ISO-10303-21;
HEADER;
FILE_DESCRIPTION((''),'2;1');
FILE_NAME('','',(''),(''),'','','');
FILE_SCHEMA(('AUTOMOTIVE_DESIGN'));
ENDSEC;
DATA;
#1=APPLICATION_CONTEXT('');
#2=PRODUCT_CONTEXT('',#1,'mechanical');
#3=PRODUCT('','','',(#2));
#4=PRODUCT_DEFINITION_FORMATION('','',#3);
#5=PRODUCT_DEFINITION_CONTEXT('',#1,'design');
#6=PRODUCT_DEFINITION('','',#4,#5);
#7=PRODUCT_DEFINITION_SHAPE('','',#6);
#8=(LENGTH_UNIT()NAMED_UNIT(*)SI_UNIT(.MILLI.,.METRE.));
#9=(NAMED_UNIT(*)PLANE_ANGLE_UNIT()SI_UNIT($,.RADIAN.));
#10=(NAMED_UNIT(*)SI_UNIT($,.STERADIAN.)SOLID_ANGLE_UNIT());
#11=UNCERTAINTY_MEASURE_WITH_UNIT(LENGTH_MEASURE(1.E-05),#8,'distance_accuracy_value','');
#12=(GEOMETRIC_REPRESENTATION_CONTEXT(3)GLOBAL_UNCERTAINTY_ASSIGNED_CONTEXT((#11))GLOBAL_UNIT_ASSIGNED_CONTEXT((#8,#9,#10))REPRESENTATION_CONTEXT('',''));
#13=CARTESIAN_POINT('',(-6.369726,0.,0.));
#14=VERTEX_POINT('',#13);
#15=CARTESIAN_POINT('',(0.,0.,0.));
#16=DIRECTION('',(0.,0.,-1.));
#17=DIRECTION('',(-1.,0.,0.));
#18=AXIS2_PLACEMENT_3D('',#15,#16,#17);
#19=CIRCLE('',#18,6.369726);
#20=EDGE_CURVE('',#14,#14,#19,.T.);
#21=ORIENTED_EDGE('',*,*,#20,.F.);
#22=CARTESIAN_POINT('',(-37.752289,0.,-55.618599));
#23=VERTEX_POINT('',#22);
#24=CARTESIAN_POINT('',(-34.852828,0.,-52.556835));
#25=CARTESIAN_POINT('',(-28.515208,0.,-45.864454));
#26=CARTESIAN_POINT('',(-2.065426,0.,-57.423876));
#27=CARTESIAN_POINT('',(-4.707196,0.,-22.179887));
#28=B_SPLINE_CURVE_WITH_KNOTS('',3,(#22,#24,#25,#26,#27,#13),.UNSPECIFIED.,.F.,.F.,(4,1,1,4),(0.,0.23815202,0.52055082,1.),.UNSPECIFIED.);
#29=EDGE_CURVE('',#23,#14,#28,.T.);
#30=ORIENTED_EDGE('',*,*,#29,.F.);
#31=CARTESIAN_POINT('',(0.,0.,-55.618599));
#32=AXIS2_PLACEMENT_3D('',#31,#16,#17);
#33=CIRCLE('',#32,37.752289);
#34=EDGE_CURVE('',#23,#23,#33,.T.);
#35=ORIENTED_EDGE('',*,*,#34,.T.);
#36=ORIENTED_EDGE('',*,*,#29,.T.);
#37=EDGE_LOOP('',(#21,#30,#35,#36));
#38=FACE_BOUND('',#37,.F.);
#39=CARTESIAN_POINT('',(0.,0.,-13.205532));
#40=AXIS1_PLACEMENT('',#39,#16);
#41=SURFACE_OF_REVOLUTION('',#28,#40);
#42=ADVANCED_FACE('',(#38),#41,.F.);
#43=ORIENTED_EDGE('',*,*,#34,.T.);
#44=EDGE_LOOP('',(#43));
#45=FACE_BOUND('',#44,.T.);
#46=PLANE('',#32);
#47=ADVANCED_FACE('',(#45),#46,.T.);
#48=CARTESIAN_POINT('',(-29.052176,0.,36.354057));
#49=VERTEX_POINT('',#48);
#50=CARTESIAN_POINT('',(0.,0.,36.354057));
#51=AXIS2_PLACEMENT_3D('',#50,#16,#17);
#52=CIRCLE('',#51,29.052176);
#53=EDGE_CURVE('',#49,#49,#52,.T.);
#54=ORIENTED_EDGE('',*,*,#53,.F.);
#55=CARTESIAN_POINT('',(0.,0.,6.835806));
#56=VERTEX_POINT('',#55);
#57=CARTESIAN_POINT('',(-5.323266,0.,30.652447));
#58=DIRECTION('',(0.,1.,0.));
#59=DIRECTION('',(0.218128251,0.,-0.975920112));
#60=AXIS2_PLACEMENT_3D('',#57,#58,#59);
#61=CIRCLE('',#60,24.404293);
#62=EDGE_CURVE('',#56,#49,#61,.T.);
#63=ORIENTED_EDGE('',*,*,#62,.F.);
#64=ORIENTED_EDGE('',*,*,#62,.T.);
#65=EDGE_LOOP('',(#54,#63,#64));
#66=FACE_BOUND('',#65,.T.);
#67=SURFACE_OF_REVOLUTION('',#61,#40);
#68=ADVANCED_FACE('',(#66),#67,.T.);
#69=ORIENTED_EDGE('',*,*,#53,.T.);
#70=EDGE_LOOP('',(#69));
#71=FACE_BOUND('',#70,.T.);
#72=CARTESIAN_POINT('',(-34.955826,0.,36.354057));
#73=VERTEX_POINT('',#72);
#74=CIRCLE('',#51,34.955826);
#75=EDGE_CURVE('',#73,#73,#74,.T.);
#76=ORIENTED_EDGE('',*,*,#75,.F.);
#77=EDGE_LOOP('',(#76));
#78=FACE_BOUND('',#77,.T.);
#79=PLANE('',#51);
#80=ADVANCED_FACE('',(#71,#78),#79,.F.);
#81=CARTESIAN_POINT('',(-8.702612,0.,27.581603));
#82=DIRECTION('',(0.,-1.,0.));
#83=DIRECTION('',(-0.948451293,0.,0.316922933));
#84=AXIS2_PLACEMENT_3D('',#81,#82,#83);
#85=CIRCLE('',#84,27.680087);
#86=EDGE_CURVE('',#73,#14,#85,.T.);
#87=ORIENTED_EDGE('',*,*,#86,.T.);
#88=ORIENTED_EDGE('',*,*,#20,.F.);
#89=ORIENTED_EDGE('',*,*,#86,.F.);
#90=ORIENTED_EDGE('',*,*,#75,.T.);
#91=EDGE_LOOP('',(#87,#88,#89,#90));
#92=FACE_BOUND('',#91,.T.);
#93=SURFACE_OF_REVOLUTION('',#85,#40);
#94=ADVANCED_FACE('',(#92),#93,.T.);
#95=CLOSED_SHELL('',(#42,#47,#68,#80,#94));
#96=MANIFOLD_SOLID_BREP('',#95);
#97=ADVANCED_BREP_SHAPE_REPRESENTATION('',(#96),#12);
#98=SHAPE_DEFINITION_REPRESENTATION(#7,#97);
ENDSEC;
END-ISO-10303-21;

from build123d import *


with BuildPart() as f1:
    # F0 (on Front) → F1 (revolve)
    with BuildSketch(Plane.XZ):
        with BuildLine():
            Line((0, -55.6185990572), (0, 6.8358061835))
            ThreePointArc((0, 6.8358061835), (-22.716474893, 13.5338661021), (-29.0521755815, 36.3540574908))
            Line((-29.0521755815, 36.3540574908), (-34.9558256567, 36.3540574908))
            ThreePointArc((-34.9558256567, 36.3540574908), (-30.4615155869, 10.4720358127), (-6.3697258011, 0))
            add(Edge.make_bspline(
                [(-37.752289325, -55.6185990572), (-34.8528278126, -52.5568345631), (-28.5152075569, -45.8644537216), (-2.0654257109, -57.4238758287), (-4.7071962985, -22.1798865595), (-6.3697258011, 0)],
                knots=[0, 0, 0, 0, 0.2381520201, 0.5205508196, 1, 1, 1, 1], degree=3))
            Line((-37.752289325, -55.6185990572), (0, -55.6185990572))
        make_face()
    revolve(axis=Axis((0, 0, -13.2055319846), (0, 0, -1)))


solid = f1.part
